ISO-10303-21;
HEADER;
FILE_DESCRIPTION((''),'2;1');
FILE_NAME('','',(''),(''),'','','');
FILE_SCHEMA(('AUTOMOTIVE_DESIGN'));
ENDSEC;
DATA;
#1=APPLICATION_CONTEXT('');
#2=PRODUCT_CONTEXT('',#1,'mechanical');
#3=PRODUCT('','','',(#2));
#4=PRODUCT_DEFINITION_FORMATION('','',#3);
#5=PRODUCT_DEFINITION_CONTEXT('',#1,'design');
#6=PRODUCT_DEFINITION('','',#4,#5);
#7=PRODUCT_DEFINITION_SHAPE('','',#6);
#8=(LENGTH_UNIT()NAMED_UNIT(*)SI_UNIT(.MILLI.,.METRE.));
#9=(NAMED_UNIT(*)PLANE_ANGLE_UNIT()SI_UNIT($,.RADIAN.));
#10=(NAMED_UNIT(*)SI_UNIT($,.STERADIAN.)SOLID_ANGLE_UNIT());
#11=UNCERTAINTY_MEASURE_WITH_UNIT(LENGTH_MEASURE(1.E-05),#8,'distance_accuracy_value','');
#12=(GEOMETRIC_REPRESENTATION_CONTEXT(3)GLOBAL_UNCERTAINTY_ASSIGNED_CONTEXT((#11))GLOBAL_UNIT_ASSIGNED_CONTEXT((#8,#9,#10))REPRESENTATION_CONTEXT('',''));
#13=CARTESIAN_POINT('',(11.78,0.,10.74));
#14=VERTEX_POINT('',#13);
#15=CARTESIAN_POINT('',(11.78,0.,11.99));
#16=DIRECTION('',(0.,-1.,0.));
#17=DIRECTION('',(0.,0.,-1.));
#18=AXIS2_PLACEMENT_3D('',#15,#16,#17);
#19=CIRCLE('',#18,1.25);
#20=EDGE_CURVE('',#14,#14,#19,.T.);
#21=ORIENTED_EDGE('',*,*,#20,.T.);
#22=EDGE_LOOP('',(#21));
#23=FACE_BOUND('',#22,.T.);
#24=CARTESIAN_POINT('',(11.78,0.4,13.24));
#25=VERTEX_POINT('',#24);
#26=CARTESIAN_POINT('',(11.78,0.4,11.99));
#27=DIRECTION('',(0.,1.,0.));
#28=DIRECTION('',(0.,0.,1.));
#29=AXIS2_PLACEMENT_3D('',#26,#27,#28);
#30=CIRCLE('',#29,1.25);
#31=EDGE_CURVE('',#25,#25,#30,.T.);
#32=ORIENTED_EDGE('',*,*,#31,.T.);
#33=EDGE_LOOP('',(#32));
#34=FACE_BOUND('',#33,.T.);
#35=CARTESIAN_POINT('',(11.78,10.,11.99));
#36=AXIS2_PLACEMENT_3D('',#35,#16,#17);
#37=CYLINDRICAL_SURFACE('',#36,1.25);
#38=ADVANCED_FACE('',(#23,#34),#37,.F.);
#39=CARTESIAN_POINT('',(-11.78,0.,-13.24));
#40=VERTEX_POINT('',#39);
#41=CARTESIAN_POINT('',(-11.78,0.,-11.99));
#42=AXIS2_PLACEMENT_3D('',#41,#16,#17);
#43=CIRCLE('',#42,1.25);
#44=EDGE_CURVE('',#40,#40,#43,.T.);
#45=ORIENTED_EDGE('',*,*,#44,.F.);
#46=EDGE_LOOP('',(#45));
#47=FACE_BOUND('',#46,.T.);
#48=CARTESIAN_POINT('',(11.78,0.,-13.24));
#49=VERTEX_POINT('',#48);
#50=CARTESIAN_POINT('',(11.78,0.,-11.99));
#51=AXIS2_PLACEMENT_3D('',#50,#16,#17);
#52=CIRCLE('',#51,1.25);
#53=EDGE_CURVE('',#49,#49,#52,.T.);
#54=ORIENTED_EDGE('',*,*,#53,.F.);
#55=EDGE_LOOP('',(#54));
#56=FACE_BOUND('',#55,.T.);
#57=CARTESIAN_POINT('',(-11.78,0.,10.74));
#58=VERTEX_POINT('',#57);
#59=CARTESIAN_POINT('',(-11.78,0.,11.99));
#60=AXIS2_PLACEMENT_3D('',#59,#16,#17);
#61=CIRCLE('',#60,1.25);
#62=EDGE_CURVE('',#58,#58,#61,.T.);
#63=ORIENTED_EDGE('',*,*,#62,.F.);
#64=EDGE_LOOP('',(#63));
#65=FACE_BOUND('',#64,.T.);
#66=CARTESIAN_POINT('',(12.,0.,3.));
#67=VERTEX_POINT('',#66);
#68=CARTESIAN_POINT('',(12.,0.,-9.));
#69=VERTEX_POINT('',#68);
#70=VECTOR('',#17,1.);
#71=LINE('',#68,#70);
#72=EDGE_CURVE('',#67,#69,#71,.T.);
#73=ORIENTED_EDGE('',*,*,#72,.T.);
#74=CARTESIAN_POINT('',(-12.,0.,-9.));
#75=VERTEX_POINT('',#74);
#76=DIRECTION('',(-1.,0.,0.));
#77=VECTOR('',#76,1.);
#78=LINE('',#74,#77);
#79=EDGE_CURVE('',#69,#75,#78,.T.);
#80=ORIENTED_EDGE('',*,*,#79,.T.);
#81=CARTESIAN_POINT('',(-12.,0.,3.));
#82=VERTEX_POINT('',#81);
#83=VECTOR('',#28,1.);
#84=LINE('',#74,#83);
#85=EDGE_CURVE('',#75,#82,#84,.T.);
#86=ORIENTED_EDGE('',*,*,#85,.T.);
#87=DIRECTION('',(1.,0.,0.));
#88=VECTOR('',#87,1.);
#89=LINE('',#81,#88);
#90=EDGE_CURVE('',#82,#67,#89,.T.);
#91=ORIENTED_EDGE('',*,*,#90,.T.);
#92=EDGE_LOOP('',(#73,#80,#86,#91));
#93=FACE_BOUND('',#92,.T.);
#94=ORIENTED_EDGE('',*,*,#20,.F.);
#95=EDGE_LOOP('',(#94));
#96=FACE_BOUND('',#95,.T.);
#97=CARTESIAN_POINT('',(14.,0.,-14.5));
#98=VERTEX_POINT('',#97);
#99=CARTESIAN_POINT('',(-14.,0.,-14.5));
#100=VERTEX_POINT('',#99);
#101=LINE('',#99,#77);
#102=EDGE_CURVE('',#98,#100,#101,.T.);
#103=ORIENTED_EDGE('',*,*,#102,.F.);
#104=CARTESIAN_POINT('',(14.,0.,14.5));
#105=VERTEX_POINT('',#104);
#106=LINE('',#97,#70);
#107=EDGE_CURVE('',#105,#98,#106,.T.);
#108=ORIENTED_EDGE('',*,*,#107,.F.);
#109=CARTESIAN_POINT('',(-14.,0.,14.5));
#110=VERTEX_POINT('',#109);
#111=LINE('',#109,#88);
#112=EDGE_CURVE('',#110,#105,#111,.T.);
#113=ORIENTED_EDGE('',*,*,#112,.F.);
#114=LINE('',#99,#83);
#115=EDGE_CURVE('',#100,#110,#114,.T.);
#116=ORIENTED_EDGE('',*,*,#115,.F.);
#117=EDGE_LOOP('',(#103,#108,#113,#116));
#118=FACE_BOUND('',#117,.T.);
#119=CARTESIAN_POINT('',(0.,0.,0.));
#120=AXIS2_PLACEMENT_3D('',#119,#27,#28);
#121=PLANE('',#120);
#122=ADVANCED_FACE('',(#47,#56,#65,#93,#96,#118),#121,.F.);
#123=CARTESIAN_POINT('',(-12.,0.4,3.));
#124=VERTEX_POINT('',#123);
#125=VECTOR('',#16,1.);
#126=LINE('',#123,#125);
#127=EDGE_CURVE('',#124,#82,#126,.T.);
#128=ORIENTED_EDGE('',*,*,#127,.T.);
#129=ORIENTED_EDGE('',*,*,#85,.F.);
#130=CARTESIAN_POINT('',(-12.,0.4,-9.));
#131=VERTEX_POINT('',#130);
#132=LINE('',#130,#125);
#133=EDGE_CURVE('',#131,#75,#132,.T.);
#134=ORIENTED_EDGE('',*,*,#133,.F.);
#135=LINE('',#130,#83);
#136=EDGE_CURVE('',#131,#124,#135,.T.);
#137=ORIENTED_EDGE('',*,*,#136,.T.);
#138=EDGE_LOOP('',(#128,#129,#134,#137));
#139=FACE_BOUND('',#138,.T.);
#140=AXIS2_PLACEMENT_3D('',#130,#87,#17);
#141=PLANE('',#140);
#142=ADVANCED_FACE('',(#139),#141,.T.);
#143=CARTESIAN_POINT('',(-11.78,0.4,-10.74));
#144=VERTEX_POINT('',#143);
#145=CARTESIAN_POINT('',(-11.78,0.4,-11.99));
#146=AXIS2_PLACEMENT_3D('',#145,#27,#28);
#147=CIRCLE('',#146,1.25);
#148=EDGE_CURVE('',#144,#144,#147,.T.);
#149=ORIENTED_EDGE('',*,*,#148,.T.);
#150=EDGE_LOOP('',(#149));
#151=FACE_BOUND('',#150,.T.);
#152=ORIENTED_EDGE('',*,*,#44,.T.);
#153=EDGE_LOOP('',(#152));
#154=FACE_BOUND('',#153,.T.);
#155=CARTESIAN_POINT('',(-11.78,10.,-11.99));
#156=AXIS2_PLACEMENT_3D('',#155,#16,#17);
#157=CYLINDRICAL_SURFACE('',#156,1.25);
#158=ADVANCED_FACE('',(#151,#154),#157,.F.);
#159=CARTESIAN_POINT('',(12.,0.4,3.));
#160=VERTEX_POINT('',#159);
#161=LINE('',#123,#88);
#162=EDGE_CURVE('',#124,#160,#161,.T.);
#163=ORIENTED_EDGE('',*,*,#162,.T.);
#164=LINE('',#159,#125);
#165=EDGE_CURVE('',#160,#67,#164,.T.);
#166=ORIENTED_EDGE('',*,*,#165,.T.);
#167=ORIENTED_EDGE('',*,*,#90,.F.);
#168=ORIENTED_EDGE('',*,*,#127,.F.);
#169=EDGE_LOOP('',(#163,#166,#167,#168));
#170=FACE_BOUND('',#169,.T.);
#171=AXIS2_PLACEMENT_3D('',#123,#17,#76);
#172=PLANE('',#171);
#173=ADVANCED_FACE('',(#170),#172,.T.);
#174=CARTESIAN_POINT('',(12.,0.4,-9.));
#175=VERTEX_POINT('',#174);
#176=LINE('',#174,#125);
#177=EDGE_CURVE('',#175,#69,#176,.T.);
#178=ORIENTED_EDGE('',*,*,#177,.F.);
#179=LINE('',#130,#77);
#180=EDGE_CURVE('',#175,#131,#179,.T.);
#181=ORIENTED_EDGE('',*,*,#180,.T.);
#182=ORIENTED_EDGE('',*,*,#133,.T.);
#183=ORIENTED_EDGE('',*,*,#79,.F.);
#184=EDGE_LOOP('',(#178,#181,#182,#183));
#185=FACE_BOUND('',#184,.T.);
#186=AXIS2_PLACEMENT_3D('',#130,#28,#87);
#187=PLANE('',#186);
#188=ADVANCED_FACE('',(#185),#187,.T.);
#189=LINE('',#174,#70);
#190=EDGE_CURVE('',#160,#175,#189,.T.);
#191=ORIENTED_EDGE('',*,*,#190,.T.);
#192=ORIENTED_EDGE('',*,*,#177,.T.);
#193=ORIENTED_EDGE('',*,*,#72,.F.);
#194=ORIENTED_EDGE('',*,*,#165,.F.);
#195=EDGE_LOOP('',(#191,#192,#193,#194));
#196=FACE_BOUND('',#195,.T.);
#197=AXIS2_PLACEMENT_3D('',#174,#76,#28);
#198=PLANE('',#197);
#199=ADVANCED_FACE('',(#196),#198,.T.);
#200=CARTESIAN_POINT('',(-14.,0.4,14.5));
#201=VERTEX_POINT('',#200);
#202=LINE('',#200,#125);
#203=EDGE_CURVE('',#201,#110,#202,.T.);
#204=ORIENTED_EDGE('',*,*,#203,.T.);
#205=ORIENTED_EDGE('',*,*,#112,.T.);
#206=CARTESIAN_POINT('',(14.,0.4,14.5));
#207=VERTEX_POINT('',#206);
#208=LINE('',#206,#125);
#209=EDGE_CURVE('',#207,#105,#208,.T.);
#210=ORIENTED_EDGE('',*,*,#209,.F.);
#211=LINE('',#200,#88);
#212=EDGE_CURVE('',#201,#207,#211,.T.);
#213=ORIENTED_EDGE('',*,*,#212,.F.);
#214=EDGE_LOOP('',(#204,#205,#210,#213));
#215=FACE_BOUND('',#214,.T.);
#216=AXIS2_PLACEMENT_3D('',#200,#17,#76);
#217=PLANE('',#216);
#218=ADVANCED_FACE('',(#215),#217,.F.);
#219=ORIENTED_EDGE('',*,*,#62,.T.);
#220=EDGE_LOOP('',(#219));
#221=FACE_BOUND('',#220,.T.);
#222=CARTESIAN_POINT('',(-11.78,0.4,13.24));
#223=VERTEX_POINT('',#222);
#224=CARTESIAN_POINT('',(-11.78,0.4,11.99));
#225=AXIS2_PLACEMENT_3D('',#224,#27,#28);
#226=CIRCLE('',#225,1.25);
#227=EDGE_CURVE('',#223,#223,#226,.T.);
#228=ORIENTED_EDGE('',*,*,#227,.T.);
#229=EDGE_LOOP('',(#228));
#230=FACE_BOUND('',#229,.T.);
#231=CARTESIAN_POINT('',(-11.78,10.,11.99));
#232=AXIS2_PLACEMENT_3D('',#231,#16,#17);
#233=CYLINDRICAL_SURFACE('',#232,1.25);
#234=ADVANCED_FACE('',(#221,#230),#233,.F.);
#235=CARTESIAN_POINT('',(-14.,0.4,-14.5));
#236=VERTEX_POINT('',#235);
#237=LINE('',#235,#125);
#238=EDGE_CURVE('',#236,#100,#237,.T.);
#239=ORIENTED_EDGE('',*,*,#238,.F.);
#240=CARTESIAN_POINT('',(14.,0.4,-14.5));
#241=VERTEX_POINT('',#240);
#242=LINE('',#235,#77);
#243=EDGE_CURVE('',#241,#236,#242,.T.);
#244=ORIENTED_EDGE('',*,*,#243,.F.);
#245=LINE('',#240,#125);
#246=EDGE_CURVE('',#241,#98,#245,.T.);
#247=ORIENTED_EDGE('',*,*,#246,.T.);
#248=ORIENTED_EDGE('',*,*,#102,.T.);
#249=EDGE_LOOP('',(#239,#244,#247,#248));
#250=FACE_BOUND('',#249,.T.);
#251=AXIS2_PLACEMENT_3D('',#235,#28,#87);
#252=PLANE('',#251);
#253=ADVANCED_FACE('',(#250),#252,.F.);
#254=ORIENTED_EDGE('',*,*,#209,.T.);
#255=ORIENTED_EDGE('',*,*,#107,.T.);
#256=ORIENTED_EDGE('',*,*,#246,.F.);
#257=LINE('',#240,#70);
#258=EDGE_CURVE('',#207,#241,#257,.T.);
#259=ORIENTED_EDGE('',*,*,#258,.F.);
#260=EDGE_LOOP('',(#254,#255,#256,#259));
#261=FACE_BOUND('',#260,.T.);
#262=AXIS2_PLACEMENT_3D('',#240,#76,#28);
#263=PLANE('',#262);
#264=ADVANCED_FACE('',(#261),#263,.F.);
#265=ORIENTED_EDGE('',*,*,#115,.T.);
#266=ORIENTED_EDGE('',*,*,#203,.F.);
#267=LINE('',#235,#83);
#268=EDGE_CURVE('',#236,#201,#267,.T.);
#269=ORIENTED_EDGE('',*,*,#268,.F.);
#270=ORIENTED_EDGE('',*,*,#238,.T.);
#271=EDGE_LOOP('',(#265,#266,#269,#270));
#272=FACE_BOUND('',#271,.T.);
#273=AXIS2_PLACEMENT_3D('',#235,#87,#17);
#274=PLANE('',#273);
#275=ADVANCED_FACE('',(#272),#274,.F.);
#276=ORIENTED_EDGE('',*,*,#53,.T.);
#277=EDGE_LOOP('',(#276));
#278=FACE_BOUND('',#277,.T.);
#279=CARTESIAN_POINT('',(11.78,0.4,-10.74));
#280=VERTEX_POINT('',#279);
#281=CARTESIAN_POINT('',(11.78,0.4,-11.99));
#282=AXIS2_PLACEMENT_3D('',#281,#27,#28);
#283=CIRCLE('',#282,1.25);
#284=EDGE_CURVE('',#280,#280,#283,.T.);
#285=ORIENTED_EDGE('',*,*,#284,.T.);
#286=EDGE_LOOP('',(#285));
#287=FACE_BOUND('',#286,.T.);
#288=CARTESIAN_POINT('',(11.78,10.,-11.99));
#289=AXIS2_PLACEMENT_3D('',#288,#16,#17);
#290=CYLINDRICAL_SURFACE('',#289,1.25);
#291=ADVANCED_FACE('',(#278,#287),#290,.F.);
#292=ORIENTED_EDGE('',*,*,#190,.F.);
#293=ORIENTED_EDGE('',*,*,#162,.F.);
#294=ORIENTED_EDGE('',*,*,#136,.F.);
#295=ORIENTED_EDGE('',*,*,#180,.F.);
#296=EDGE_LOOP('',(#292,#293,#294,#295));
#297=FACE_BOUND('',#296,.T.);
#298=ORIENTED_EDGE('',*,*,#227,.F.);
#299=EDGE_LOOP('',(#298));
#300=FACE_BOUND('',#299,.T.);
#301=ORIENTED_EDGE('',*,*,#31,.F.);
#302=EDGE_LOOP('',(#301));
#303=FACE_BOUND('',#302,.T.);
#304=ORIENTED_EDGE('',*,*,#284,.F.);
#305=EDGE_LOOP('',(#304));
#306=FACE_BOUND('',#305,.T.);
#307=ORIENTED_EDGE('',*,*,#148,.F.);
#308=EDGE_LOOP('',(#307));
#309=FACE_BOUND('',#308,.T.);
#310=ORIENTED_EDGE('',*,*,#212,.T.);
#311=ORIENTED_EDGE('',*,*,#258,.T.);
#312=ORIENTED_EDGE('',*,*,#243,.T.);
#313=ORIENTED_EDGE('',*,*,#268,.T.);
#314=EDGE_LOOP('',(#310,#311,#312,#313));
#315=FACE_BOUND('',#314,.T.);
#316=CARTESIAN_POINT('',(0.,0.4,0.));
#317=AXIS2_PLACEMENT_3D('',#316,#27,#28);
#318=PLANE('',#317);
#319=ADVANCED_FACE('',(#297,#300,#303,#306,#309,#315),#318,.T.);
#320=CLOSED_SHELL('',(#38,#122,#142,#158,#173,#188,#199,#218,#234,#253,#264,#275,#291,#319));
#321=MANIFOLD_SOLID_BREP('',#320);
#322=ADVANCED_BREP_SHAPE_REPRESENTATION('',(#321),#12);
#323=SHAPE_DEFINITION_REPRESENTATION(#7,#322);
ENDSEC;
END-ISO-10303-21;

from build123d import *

# Parameters (mm, degrees)
ESQUISSE1_W             = 28
ESQUISSE1_H             = 29
ESQUISSE1_W_2           = 24
ESQUISSE1_H_2           = 12
BOSS_EXTRU_1_DEPTH      = 0.4
ESQUISSE2_R             = 1.25
ENL_V_MAT_EXTRU_1_DEPTH = 10


with BuildPart() as part:
    # Esquisse1 → Boss.-Extru.1 (new body)
    with BuildSketch(Plane(origin=(0, 0, 0), x_dir=(1, 0, 0), z_dir=(0, 1, 0))):
        Rectangle(ESQUISSE1_W, ESQUISSE1_H)
        with Locations((0, 3)):
            Rectangle(ESQUISSE1_W_2, ESQUISSE1_H_2, mode=Mode.SUBTRACT)
    extrude(amount=BOSS_EXTRU_1_DEPTH)

    # Esquisse2 → Enlèv. mat.-Extru.1 (cut)
    with BuildSketch(Plane.XZ):
        with Locations(Location((11.78, -11.99, 0), (0, 0, 270))):
            Circle(ESQUISSE2_R)
        with Locations(Location((-11.78, 11.99, 0), (0, 0, 270))):
            Circle(ESQUISSE2_R)
        with Locations(Location((11.78, 11.99, 0), (0, 0, 270))):
            Circle(ESQUISSE2_R)
        with Locations(Location((-11.78, -11.99, 0), (0, 0, 270))):
            Circle(ESQUISSE2_R)
    extrude(amount=-ENL_V_MAT_EXTRU_1_DEPTH, mode=Mode.SUBTRACT)


solid = part.part
